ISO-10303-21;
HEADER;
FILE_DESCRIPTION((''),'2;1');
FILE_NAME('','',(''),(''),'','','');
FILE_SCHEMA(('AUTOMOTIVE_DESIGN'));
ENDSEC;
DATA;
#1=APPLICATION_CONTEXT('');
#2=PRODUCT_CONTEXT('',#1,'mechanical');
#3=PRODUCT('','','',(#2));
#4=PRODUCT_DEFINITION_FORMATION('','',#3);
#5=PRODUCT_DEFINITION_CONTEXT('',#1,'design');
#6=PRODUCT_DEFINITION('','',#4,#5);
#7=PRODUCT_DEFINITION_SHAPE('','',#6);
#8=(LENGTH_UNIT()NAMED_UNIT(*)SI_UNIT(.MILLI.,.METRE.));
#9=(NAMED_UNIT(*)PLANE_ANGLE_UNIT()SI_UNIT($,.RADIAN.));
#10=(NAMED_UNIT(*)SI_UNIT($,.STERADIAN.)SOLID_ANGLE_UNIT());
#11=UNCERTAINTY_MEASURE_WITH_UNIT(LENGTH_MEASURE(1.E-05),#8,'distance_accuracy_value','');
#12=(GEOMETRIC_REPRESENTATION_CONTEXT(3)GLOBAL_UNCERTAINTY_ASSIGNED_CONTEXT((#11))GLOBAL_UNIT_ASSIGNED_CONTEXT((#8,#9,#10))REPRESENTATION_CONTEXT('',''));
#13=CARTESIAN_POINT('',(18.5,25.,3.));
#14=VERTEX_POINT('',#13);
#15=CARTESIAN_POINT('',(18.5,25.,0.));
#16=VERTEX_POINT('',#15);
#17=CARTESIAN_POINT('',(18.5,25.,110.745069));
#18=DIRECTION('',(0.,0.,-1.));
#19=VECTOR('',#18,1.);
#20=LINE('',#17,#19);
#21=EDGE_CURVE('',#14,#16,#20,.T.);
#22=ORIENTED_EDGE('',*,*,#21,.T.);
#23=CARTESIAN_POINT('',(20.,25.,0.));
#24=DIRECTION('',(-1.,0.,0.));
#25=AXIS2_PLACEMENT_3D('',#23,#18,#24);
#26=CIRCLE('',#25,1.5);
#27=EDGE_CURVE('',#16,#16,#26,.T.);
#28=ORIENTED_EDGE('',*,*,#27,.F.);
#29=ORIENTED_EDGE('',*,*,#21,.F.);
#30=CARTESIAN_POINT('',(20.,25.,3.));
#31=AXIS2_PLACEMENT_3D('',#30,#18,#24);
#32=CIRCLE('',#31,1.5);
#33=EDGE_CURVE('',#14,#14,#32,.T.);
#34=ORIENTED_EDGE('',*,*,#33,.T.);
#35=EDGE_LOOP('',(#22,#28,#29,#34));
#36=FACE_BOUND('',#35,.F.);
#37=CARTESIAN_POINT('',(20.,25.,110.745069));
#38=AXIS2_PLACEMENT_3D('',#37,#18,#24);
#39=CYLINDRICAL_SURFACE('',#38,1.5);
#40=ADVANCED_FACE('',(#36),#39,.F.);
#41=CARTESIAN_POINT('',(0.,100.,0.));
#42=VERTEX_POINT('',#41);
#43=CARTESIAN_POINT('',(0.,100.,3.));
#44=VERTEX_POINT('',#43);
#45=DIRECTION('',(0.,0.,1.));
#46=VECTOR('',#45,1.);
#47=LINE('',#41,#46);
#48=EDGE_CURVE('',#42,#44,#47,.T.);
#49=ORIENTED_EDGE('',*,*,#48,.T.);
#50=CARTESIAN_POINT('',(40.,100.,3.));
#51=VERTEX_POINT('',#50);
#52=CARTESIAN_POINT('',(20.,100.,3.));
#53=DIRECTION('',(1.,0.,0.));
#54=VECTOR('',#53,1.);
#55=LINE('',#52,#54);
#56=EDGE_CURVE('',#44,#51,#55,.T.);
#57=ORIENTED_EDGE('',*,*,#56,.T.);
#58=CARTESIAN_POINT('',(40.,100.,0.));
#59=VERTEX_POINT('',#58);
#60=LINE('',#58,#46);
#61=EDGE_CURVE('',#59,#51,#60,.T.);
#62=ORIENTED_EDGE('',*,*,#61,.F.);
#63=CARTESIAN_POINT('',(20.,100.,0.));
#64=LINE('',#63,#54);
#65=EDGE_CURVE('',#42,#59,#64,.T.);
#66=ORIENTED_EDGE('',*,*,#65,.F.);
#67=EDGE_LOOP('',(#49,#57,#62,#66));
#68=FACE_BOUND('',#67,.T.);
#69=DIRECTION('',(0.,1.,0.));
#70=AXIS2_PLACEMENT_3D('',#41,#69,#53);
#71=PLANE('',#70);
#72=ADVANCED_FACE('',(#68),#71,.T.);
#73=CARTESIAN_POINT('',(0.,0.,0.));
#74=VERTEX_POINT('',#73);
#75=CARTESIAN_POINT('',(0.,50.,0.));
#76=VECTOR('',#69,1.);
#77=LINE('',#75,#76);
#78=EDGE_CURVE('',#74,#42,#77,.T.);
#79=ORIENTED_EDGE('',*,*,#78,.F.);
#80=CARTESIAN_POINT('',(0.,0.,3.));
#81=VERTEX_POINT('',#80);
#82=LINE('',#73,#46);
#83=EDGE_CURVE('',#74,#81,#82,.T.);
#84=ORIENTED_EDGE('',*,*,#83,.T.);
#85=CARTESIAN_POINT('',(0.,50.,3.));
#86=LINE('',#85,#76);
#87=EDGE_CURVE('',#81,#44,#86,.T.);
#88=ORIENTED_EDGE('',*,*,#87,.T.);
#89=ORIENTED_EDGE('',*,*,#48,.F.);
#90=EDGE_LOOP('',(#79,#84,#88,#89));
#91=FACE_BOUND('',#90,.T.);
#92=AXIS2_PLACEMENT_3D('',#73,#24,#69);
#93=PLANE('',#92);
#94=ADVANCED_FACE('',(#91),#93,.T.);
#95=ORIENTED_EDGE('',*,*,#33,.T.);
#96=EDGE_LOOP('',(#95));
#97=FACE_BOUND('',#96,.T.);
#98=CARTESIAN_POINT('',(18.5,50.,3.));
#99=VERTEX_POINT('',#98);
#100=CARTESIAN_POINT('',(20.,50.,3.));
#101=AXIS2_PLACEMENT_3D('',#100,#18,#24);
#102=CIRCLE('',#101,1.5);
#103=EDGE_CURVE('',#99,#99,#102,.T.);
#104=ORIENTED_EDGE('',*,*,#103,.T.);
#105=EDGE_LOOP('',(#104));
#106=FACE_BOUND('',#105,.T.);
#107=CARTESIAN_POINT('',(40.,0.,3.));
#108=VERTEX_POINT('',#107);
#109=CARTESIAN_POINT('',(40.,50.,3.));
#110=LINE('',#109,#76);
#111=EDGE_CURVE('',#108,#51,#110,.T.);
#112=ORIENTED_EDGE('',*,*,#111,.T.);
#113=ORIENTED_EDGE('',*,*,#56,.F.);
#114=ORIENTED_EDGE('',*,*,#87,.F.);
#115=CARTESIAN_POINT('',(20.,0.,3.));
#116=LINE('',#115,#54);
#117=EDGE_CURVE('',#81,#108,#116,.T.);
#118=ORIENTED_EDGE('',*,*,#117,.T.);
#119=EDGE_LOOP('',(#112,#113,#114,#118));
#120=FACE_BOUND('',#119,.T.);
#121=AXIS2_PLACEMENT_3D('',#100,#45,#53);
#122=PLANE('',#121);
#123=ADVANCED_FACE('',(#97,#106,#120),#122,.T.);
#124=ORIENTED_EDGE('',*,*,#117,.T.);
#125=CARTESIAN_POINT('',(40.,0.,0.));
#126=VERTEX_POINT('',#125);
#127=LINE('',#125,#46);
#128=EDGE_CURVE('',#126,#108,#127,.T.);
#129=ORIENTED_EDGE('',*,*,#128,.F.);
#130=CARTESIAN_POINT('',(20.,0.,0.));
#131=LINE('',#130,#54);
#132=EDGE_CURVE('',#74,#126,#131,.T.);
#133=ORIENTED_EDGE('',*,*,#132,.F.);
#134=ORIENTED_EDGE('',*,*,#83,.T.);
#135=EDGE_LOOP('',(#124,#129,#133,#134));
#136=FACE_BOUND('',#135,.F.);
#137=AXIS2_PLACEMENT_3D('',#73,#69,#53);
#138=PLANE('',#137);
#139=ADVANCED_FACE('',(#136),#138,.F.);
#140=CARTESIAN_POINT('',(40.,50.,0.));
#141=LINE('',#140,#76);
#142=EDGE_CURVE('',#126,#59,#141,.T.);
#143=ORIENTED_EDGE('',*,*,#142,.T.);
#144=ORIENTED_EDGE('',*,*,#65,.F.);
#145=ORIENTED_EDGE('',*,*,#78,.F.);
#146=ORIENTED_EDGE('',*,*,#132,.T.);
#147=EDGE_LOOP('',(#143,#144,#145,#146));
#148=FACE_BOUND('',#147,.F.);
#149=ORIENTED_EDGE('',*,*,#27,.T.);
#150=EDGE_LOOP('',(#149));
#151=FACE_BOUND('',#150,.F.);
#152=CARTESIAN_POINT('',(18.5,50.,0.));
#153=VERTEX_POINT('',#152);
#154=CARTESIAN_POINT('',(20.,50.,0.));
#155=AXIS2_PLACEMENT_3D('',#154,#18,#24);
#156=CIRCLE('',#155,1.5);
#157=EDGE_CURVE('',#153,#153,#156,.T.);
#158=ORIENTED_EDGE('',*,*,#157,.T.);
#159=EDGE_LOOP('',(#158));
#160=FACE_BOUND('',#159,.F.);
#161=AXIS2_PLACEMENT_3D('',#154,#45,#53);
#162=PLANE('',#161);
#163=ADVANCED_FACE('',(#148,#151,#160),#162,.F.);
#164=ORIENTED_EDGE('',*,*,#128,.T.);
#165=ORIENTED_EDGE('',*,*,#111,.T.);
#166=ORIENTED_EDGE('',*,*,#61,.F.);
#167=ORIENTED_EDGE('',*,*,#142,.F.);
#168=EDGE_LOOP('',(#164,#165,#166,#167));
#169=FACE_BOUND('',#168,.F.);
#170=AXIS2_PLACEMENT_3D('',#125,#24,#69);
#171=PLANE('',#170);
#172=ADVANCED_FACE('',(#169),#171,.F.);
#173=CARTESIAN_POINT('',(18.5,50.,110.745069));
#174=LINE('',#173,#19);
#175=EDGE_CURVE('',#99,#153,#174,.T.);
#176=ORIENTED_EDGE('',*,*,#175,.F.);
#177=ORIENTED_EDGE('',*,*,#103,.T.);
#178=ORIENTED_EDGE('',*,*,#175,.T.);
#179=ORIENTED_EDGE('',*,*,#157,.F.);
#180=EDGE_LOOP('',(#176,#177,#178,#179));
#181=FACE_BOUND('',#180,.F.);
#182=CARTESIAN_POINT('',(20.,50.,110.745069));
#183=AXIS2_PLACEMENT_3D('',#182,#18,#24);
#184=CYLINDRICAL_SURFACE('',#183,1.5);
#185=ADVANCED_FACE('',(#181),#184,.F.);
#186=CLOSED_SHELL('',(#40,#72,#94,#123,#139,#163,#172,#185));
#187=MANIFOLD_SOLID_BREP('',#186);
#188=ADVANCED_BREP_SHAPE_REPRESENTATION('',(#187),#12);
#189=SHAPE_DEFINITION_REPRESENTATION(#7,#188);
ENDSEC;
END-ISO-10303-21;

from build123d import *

# Parameters (mm, degrees)
F0_W     = 40
F0_H     = 100
F1_DEPTH = 3
F3_D     = 3


with BuildPart() as f1:
    # F0 (on Top) → F1 (new body)
    with BuildSketch(Plane.XY):
        with Locations((20, 50)):
            Rectangle(F0_W, F0_H)
    extrude(amount=F1_DEPTH)

    # F3 (through all)
    with Locations(Plane.XY.offset(3)):
        with Locations((20, 50), (20, 25)):
            Hole(F3_D / 2)


solid = f1.part
